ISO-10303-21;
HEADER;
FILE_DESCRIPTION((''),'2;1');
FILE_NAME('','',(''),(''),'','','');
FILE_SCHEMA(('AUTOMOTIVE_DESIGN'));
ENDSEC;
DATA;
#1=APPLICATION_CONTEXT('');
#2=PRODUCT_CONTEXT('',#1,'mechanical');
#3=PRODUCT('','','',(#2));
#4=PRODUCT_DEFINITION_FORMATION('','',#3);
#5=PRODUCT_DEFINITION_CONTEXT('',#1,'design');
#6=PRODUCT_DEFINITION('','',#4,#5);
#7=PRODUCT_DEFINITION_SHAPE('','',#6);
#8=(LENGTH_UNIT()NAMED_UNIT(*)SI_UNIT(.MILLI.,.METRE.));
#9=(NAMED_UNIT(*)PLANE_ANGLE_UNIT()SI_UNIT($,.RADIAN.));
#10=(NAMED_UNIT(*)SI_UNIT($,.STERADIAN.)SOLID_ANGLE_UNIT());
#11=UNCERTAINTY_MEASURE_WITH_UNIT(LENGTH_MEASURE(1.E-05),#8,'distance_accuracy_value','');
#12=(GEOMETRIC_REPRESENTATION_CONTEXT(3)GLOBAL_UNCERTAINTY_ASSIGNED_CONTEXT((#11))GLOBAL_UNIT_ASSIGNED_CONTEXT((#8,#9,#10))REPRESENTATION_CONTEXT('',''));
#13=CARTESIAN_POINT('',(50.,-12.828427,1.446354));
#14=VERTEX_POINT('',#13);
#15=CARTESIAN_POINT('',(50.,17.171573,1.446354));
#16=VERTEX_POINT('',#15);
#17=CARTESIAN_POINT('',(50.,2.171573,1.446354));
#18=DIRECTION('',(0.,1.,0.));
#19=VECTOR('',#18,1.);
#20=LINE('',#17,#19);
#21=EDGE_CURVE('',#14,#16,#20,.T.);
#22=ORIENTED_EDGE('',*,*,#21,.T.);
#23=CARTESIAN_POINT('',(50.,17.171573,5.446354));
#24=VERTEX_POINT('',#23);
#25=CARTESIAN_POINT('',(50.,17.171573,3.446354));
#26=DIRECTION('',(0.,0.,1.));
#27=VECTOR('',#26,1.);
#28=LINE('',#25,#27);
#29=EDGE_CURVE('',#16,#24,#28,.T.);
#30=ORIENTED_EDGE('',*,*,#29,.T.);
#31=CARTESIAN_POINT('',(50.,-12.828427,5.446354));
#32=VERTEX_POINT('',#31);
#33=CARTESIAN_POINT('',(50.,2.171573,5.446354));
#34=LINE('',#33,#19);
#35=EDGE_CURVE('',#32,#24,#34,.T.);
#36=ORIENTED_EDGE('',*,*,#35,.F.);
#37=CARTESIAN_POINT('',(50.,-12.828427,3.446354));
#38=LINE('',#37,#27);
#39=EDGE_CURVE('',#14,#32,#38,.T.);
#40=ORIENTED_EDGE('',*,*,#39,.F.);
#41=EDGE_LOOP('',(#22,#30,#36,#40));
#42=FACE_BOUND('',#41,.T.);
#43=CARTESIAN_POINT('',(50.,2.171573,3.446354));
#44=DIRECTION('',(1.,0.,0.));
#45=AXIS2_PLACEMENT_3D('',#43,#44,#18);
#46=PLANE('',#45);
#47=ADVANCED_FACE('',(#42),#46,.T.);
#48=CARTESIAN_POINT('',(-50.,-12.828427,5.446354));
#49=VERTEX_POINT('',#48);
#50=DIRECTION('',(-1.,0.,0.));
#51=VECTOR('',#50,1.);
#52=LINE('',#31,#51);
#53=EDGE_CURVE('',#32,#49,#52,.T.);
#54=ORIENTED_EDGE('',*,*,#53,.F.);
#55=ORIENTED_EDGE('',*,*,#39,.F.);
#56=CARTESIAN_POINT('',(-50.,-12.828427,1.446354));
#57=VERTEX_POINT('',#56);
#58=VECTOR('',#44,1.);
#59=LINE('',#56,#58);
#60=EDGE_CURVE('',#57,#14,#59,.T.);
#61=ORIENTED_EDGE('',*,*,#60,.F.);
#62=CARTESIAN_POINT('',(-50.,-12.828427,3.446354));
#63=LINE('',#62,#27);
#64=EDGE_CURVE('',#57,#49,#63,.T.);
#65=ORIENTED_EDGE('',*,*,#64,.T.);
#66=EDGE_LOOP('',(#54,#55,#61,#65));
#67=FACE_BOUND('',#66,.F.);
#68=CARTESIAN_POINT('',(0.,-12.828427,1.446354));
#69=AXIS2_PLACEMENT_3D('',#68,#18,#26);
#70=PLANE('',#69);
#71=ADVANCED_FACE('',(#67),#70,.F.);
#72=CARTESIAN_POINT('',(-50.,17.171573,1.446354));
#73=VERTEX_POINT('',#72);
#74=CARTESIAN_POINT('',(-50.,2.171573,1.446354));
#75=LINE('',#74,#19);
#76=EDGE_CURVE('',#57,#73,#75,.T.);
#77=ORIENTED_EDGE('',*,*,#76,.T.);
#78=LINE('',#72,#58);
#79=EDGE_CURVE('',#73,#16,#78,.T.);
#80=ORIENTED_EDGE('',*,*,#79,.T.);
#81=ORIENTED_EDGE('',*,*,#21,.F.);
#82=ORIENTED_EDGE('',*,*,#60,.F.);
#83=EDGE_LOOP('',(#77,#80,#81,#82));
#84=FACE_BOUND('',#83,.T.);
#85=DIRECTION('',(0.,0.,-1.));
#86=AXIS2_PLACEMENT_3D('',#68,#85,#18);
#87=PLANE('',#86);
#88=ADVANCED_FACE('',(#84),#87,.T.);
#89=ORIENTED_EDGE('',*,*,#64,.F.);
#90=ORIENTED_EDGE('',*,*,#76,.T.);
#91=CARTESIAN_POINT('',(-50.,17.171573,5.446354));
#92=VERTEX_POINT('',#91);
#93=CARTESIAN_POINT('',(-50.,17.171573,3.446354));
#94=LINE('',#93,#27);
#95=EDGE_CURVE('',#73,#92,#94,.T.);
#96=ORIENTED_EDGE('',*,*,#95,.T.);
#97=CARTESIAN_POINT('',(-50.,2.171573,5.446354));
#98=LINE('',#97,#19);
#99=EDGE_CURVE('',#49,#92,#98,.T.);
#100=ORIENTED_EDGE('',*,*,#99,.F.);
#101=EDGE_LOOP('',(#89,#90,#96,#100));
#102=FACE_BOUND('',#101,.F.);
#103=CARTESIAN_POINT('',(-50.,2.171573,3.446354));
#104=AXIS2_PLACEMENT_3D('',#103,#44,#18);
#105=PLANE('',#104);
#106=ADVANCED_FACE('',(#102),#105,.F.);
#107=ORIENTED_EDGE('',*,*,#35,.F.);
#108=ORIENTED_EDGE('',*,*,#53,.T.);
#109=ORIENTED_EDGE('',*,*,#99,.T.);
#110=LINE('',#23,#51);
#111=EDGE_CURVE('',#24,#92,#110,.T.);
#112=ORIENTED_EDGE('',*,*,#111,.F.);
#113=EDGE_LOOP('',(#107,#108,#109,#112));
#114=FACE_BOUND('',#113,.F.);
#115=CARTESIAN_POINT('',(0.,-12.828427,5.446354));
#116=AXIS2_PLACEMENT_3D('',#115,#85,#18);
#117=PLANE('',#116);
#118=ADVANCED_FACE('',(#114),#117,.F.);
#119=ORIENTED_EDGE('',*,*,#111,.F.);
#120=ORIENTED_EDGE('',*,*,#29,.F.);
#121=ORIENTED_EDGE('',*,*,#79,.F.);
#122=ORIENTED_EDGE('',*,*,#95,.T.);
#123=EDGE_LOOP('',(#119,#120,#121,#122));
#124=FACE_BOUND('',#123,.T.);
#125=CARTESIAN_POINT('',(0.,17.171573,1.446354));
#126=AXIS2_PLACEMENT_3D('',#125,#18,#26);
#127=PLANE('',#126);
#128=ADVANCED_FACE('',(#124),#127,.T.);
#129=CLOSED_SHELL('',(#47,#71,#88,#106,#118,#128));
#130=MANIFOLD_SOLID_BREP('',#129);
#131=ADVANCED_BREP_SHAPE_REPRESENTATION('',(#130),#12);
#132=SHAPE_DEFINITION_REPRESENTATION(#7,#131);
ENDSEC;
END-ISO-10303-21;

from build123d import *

# Parameters (mm, degrees)
SKETCH_W       = 30
SKETCH_H       = 4
PAD_DEPTH      = 50
PAD_DEPTH_BACK = 50


with BuildPart() as part:
    # Sketch → Pad (new body, two sides)
    with BuildSketch(Plane.YZ) as pad_sk:
        with Locations((2.171573, 3.446354)):
            Rectangle(SKETCH_W, SKETCH_H)
    extrude(amount=PAD_DEPTH)
    extrude(pad_sk.sketch, amount=-PAD_DEPTH_BACK)


solid = part.part
